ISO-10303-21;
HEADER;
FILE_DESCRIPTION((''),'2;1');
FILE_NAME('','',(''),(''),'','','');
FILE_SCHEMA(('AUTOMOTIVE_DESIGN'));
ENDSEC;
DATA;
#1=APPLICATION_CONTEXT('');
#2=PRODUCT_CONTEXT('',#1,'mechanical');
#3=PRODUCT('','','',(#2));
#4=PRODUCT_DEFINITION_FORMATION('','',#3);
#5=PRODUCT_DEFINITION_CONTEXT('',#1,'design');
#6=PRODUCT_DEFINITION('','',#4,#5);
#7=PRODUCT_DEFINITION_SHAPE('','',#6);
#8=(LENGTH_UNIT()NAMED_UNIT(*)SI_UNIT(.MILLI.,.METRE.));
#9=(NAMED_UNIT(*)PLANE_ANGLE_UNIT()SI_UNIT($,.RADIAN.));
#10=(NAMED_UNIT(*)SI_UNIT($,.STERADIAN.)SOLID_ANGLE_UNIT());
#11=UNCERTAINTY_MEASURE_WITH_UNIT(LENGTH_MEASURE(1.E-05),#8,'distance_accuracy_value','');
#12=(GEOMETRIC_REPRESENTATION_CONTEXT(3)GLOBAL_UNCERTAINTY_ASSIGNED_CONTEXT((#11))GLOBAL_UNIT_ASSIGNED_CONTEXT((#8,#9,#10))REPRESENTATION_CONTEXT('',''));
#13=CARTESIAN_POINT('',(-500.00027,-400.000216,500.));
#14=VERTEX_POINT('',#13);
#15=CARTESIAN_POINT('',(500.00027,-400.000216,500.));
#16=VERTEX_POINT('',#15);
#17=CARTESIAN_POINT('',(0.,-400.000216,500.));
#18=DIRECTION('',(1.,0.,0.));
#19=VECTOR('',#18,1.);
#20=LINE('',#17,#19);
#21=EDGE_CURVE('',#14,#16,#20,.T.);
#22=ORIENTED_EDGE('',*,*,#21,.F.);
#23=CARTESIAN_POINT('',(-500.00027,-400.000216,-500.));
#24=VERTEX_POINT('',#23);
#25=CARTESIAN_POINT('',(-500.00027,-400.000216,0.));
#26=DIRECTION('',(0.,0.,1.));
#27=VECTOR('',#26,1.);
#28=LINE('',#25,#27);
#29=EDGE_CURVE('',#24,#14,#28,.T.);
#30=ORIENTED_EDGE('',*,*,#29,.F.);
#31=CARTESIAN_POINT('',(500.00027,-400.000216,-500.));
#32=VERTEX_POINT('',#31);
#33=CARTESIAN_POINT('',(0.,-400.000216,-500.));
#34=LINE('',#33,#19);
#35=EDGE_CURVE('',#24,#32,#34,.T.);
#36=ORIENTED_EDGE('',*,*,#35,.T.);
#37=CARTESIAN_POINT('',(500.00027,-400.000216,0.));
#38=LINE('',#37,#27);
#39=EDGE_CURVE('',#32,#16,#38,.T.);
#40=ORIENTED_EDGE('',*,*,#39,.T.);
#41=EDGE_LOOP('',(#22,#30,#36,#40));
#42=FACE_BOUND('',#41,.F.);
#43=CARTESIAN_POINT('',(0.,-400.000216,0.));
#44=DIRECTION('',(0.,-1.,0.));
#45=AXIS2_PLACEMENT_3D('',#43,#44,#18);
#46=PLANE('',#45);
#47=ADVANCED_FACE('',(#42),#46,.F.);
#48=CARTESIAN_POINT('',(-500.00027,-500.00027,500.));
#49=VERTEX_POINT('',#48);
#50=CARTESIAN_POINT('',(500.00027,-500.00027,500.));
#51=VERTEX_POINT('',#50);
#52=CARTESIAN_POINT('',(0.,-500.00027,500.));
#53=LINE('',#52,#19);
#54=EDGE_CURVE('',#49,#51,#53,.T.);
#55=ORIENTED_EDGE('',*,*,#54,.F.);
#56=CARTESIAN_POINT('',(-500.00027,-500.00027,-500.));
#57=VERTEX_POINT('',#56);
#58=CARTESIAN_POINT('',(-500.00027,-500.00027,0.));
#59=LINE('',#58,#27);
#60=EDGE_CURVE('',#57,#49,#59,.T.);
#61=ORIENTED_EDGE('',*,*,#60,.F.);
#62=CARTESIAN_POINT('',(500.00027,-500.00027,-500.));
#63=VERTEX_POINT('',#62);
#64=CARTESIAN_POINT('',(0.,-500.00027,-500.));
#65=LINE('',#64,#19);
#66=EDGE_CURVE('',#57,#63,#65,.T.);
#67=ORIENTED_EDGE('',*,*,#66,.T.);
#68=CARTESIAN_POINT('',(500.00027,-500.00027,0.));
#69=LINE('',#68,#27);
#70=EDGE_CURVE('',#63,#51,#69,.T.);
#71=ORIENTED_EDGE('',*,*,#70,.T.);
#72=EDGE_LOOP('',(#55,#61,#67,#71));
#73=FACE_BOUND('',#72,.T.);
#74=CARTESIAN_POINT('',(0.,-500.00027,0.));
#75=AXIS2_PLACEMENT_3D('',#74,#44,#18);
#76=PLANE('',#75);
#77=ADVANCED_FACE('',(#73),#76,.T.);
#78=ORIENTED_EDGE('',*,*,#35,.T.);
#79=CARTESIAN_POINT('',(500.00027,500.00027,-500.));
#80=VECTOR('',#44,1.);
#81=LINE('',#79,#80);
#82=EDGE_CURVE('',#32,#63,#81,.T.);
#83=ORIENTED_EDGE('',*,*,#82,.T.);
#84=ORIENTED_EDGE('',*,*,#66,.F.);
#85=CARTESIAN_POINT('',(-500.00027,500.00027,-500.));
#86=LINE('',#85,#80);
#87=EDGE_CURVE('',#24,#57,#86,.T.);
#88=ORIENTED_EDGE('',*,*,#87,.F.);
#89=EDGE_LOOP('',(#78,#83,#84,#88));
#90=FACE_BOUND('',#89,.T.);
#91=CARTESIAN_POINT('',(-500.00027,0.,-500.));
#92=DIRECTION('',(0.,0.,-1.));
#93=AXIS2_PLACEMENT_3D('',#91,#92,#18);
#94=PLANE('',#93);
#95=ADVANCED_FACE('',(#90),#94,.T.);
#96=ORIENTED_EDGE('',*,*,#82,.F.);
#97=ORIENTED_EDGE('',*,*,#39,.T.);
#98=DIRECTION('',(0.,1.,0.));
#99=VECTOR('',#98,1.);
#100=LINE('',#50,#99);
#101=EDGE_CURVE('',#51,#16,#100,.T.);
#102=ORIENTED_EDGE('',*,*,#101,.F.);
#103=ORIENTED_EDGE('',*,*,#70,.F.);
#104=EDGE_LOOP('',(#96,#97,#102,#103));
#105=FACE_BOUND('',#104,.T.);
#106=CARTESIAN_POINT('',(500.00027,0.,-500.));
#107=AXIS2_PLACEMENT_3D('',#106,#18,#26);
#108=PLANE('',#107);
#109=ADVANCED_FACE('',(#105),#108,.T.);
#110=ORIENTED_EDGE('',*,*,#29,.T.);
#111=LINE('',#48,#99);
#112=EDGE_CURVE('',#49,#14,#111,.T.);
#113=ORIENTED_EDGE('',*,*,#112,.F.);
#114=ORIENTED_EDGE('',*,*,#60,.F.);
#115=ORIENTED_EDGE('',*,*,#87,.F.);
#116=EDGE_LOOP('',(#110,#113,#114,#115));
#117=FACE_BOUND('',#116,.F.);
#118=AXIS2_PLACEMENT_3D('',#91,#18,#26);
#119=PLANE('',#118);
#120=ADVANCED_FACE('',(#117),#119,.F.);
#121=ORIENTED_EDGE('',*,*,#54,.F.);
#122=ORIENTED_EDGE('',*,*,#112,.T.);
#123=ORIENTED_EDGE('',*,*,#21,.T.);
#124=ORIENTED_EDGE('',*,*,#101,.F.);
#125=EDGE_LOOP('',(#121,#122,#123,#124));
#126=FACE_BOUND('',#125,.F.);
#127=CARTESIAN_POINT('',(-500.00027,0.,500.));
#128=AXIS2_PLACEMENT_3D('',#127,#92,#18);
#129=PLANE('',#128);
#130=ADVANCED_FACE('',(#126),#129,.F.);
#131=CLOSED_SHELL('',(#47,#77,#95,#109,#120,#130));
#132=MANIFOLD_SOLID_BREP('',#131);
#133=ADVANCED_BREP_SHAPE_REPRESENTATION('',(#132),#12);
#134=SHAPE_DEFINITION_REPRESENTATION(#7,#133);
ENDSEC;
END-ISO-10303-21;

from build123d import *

# Parameters (mm, degrees)
F0_W     = 1000.00054
F0_H     = 1000
F1_DEPTH = 500.00027
F3_W     = 1000.00054
F3_H     = 1000
F4_DEPTH = 1000.00054


with BuildPart() as f1:
    # F0 (on Front) → F1 (new body, symmetric)
    with BuildSketch(Plane.XZ):
        Rectangle(F0_W, F0_H)
    extrude(amount=F1_DEPTH, both=True)

    # F3 (on offset) → F4 (cut)
    with BuildSketch(Plane.XZ.offset(400.000216)):
        Rectangle(F3_W, F3_H)
    extrude(amount=-F4_DEPTH, mode=Mode.SUBTRACT)


solid = f1.part
